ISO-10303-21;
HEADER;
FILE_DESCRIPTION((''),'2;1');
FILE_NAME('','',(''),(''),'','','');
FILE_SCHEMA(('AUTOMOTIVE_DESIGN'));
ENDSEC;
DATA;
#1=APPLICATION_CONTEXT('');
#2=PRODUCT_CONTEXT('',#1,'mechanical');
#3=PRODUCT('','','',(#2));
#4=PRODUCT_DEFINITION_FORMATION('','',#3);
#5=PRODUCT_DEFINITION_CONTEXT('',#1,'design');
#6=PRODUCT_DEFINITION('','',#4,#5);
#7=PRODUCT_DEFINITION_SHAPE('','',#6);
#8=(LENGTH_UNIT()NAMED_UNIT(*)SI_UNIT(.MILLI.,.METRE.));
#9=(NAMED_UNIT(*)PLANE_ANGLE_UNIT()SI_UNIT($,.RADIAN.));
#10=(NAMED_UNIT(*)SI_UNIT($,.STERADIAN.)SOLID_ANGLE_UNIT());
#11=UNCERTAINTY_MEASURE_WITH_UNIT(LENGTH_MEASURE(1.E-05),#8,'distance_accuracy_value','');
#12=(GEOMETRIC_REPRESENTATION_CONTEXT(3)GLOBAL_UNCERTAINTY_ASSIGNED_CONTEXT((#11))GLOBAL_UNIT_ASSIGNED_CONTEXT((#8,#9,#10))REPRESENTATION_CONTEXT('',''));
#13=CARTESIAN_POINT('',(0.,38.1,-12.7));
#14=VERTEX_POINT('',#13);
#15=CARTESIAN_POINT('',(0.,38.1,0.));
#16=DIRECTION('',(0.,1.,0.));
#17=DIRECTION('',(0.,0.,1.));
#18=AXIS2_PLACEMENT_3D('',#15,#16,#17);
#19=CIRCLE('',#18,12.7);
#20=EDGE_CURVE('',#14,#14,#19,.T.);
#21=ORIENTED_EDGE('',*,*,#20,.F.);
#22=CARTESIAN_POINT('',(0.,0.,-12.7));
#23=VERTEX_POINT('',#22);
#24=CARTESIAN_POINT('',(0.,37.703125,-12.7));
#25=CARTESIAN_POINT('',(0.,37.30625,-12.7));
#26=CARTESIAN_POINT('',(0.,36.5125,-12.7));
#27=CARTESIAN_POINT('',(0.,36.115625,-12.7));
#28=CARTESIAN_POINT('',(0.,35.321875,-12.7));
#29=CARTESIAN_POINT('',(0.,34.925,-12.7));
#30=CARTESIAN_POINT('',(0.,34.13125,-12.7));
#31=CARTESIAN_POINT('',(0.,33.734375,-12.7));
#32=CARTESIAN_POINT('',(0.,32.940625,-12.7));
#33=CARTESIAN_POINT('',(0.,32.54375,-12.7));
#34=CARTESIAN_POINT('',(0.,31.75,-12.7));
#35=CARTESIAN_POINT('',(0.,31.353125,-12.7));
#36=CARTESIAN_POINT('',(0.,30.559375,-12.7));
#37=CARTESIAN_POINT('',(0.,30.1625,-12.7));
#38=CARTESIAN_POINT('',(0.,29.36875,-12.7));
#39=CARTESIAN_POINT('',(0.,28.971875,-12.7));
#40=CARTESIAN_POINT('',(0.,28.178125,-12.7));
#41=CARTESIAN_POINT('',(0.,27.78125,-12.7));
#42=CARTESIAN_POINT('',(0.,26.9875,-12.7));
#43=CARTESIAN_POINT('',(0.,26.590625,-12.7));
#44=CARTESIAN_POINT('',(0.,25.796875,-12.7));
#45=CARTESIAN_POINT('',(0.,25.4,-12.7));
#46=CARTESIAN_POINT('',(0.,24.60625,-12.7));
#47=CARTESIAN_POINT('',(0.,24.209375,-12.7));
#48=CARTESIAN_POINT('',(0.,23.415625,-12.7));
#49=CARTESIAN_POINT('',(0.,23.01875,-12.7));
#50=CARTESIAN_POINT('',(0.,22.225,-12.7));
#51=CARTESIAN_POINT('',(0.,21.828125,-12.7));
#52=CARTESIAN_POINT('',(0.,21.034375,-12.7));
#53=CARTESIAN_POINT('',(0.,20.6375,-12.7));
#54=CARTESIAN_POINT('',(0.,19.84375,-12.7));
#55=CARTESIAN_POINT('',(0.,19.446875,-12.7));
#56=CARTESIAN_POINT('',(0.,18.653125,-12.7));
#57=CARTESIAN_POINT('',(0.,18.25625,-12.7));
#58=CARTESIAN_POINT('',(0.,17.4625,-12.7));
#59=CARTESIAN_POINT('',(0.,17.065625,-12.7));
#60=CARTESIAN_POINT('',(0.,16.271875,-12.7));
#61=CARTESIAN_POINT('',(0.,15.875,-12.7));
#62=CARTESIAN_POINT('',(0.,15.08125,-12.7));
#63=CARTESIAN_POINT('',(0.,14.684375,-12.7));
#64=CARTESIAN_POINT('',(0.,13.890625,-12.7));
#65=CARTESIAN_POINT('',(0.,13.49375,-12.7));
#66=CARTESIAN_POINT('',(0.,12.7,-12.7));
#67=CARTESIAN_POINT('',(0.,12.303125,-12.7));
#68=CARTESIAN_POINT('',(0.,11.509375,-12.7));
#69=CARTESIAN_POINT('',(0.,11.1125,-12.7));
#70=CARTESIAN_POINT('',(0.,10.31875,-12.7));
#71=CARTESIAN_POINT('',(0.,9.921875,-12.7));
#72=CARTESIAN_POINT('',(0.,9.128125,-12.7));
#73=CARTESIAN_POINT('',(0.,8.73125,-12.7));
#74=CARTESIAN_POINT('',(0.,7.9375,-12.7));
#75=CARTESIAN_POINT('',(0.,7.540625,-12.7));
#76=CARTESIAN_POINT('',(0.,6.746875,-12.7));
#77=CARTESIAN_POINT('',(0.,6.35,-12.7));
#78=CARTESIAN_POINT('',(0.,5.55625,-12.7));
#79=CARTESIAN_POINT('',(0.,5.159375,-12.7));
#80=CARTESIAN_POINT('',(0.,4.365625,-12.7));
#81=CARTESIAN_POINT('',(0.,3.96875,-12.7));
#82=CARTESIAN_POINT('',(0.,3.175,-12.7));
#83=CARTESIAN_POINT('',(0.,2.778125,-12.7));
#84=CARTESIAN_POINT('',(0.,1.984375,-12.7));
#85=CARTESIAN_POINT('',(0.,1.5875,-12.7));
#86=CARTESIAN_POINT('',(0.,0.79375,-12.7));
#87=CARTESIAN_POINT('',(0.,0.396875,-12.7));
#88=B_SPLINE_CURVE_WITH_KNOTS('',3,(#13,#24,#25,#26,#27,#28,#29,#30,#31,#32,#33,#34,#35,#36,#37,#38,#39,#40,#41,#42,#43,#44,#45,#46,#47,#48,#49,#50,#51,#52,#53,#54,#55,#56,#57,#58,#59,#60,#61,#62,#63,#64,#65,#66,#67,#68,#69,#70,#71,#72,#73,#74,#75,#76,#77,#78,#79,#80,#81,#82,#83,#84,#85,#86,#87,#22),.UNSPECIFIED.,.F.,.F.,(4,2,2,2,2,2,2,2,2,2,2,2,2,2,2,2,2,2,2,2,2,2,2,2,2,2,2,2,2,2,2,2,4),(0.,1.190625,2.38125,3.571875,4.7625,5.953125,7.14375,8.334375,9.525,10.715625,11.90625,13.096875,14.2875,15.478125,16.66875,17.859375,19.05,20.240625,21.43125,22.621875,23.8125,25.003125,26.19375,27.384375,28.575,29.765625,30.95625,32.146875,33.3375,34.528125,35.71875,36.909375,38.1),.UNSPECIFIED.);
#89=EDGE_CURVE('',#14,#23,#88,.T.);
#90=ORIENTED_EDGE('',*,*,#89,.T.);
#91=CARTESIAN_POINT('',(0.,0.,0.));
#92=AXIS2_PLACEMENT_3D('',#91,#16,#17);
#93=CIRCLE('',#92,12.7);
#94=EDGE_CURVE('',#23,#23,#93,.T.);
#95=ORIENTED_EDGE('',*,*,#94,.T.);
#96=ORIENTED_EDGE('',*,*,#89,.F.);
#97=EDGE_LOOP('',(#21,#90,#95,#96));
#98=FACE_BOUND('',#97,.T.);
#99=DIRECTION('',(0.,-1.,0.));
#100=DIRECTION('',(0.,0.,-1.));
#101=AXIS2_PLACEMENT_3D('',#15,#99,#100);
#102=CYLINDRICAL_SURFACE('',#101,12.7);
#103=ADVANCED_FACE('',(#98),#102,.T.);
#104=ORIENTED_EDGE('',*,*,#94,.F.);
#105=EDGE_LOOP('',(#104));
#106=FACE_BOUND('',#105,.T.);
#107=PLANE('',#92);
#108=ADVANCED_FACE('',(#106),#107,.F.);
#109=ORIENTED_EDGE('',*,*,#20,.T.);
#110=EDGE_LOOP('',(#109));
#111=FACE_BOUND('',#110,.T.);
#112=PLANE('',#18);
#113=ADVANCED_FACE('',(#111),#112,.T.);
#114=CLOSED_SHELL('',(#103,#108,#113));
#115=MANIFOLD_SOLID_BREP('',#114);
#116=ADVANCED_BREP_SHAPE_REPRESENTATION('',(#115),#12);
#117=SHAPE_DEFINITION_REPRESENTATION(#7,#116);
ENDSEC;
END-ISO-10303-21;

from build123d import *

# Parameters (mm, degrees)
SKETCH1_R           = 12.7
BOSS_EXTRUDE1_DEPTH = 38.1


with BuildPart() as part:
    # Sketch1 → Boss-Extrude1 (new body)
    with BuildSketch(Plane(origin=(0, 0, 0), x_dir=(1, 0, 0), z_dir=(0, 1, 0))):
        with Locations(Location((0, 0, 0), (0, 0, 90))):
            Circle(SKETCH1_R)
    extrude(amount=BOSS_EXTRUDE1_DEPTH)


solid = part.part
